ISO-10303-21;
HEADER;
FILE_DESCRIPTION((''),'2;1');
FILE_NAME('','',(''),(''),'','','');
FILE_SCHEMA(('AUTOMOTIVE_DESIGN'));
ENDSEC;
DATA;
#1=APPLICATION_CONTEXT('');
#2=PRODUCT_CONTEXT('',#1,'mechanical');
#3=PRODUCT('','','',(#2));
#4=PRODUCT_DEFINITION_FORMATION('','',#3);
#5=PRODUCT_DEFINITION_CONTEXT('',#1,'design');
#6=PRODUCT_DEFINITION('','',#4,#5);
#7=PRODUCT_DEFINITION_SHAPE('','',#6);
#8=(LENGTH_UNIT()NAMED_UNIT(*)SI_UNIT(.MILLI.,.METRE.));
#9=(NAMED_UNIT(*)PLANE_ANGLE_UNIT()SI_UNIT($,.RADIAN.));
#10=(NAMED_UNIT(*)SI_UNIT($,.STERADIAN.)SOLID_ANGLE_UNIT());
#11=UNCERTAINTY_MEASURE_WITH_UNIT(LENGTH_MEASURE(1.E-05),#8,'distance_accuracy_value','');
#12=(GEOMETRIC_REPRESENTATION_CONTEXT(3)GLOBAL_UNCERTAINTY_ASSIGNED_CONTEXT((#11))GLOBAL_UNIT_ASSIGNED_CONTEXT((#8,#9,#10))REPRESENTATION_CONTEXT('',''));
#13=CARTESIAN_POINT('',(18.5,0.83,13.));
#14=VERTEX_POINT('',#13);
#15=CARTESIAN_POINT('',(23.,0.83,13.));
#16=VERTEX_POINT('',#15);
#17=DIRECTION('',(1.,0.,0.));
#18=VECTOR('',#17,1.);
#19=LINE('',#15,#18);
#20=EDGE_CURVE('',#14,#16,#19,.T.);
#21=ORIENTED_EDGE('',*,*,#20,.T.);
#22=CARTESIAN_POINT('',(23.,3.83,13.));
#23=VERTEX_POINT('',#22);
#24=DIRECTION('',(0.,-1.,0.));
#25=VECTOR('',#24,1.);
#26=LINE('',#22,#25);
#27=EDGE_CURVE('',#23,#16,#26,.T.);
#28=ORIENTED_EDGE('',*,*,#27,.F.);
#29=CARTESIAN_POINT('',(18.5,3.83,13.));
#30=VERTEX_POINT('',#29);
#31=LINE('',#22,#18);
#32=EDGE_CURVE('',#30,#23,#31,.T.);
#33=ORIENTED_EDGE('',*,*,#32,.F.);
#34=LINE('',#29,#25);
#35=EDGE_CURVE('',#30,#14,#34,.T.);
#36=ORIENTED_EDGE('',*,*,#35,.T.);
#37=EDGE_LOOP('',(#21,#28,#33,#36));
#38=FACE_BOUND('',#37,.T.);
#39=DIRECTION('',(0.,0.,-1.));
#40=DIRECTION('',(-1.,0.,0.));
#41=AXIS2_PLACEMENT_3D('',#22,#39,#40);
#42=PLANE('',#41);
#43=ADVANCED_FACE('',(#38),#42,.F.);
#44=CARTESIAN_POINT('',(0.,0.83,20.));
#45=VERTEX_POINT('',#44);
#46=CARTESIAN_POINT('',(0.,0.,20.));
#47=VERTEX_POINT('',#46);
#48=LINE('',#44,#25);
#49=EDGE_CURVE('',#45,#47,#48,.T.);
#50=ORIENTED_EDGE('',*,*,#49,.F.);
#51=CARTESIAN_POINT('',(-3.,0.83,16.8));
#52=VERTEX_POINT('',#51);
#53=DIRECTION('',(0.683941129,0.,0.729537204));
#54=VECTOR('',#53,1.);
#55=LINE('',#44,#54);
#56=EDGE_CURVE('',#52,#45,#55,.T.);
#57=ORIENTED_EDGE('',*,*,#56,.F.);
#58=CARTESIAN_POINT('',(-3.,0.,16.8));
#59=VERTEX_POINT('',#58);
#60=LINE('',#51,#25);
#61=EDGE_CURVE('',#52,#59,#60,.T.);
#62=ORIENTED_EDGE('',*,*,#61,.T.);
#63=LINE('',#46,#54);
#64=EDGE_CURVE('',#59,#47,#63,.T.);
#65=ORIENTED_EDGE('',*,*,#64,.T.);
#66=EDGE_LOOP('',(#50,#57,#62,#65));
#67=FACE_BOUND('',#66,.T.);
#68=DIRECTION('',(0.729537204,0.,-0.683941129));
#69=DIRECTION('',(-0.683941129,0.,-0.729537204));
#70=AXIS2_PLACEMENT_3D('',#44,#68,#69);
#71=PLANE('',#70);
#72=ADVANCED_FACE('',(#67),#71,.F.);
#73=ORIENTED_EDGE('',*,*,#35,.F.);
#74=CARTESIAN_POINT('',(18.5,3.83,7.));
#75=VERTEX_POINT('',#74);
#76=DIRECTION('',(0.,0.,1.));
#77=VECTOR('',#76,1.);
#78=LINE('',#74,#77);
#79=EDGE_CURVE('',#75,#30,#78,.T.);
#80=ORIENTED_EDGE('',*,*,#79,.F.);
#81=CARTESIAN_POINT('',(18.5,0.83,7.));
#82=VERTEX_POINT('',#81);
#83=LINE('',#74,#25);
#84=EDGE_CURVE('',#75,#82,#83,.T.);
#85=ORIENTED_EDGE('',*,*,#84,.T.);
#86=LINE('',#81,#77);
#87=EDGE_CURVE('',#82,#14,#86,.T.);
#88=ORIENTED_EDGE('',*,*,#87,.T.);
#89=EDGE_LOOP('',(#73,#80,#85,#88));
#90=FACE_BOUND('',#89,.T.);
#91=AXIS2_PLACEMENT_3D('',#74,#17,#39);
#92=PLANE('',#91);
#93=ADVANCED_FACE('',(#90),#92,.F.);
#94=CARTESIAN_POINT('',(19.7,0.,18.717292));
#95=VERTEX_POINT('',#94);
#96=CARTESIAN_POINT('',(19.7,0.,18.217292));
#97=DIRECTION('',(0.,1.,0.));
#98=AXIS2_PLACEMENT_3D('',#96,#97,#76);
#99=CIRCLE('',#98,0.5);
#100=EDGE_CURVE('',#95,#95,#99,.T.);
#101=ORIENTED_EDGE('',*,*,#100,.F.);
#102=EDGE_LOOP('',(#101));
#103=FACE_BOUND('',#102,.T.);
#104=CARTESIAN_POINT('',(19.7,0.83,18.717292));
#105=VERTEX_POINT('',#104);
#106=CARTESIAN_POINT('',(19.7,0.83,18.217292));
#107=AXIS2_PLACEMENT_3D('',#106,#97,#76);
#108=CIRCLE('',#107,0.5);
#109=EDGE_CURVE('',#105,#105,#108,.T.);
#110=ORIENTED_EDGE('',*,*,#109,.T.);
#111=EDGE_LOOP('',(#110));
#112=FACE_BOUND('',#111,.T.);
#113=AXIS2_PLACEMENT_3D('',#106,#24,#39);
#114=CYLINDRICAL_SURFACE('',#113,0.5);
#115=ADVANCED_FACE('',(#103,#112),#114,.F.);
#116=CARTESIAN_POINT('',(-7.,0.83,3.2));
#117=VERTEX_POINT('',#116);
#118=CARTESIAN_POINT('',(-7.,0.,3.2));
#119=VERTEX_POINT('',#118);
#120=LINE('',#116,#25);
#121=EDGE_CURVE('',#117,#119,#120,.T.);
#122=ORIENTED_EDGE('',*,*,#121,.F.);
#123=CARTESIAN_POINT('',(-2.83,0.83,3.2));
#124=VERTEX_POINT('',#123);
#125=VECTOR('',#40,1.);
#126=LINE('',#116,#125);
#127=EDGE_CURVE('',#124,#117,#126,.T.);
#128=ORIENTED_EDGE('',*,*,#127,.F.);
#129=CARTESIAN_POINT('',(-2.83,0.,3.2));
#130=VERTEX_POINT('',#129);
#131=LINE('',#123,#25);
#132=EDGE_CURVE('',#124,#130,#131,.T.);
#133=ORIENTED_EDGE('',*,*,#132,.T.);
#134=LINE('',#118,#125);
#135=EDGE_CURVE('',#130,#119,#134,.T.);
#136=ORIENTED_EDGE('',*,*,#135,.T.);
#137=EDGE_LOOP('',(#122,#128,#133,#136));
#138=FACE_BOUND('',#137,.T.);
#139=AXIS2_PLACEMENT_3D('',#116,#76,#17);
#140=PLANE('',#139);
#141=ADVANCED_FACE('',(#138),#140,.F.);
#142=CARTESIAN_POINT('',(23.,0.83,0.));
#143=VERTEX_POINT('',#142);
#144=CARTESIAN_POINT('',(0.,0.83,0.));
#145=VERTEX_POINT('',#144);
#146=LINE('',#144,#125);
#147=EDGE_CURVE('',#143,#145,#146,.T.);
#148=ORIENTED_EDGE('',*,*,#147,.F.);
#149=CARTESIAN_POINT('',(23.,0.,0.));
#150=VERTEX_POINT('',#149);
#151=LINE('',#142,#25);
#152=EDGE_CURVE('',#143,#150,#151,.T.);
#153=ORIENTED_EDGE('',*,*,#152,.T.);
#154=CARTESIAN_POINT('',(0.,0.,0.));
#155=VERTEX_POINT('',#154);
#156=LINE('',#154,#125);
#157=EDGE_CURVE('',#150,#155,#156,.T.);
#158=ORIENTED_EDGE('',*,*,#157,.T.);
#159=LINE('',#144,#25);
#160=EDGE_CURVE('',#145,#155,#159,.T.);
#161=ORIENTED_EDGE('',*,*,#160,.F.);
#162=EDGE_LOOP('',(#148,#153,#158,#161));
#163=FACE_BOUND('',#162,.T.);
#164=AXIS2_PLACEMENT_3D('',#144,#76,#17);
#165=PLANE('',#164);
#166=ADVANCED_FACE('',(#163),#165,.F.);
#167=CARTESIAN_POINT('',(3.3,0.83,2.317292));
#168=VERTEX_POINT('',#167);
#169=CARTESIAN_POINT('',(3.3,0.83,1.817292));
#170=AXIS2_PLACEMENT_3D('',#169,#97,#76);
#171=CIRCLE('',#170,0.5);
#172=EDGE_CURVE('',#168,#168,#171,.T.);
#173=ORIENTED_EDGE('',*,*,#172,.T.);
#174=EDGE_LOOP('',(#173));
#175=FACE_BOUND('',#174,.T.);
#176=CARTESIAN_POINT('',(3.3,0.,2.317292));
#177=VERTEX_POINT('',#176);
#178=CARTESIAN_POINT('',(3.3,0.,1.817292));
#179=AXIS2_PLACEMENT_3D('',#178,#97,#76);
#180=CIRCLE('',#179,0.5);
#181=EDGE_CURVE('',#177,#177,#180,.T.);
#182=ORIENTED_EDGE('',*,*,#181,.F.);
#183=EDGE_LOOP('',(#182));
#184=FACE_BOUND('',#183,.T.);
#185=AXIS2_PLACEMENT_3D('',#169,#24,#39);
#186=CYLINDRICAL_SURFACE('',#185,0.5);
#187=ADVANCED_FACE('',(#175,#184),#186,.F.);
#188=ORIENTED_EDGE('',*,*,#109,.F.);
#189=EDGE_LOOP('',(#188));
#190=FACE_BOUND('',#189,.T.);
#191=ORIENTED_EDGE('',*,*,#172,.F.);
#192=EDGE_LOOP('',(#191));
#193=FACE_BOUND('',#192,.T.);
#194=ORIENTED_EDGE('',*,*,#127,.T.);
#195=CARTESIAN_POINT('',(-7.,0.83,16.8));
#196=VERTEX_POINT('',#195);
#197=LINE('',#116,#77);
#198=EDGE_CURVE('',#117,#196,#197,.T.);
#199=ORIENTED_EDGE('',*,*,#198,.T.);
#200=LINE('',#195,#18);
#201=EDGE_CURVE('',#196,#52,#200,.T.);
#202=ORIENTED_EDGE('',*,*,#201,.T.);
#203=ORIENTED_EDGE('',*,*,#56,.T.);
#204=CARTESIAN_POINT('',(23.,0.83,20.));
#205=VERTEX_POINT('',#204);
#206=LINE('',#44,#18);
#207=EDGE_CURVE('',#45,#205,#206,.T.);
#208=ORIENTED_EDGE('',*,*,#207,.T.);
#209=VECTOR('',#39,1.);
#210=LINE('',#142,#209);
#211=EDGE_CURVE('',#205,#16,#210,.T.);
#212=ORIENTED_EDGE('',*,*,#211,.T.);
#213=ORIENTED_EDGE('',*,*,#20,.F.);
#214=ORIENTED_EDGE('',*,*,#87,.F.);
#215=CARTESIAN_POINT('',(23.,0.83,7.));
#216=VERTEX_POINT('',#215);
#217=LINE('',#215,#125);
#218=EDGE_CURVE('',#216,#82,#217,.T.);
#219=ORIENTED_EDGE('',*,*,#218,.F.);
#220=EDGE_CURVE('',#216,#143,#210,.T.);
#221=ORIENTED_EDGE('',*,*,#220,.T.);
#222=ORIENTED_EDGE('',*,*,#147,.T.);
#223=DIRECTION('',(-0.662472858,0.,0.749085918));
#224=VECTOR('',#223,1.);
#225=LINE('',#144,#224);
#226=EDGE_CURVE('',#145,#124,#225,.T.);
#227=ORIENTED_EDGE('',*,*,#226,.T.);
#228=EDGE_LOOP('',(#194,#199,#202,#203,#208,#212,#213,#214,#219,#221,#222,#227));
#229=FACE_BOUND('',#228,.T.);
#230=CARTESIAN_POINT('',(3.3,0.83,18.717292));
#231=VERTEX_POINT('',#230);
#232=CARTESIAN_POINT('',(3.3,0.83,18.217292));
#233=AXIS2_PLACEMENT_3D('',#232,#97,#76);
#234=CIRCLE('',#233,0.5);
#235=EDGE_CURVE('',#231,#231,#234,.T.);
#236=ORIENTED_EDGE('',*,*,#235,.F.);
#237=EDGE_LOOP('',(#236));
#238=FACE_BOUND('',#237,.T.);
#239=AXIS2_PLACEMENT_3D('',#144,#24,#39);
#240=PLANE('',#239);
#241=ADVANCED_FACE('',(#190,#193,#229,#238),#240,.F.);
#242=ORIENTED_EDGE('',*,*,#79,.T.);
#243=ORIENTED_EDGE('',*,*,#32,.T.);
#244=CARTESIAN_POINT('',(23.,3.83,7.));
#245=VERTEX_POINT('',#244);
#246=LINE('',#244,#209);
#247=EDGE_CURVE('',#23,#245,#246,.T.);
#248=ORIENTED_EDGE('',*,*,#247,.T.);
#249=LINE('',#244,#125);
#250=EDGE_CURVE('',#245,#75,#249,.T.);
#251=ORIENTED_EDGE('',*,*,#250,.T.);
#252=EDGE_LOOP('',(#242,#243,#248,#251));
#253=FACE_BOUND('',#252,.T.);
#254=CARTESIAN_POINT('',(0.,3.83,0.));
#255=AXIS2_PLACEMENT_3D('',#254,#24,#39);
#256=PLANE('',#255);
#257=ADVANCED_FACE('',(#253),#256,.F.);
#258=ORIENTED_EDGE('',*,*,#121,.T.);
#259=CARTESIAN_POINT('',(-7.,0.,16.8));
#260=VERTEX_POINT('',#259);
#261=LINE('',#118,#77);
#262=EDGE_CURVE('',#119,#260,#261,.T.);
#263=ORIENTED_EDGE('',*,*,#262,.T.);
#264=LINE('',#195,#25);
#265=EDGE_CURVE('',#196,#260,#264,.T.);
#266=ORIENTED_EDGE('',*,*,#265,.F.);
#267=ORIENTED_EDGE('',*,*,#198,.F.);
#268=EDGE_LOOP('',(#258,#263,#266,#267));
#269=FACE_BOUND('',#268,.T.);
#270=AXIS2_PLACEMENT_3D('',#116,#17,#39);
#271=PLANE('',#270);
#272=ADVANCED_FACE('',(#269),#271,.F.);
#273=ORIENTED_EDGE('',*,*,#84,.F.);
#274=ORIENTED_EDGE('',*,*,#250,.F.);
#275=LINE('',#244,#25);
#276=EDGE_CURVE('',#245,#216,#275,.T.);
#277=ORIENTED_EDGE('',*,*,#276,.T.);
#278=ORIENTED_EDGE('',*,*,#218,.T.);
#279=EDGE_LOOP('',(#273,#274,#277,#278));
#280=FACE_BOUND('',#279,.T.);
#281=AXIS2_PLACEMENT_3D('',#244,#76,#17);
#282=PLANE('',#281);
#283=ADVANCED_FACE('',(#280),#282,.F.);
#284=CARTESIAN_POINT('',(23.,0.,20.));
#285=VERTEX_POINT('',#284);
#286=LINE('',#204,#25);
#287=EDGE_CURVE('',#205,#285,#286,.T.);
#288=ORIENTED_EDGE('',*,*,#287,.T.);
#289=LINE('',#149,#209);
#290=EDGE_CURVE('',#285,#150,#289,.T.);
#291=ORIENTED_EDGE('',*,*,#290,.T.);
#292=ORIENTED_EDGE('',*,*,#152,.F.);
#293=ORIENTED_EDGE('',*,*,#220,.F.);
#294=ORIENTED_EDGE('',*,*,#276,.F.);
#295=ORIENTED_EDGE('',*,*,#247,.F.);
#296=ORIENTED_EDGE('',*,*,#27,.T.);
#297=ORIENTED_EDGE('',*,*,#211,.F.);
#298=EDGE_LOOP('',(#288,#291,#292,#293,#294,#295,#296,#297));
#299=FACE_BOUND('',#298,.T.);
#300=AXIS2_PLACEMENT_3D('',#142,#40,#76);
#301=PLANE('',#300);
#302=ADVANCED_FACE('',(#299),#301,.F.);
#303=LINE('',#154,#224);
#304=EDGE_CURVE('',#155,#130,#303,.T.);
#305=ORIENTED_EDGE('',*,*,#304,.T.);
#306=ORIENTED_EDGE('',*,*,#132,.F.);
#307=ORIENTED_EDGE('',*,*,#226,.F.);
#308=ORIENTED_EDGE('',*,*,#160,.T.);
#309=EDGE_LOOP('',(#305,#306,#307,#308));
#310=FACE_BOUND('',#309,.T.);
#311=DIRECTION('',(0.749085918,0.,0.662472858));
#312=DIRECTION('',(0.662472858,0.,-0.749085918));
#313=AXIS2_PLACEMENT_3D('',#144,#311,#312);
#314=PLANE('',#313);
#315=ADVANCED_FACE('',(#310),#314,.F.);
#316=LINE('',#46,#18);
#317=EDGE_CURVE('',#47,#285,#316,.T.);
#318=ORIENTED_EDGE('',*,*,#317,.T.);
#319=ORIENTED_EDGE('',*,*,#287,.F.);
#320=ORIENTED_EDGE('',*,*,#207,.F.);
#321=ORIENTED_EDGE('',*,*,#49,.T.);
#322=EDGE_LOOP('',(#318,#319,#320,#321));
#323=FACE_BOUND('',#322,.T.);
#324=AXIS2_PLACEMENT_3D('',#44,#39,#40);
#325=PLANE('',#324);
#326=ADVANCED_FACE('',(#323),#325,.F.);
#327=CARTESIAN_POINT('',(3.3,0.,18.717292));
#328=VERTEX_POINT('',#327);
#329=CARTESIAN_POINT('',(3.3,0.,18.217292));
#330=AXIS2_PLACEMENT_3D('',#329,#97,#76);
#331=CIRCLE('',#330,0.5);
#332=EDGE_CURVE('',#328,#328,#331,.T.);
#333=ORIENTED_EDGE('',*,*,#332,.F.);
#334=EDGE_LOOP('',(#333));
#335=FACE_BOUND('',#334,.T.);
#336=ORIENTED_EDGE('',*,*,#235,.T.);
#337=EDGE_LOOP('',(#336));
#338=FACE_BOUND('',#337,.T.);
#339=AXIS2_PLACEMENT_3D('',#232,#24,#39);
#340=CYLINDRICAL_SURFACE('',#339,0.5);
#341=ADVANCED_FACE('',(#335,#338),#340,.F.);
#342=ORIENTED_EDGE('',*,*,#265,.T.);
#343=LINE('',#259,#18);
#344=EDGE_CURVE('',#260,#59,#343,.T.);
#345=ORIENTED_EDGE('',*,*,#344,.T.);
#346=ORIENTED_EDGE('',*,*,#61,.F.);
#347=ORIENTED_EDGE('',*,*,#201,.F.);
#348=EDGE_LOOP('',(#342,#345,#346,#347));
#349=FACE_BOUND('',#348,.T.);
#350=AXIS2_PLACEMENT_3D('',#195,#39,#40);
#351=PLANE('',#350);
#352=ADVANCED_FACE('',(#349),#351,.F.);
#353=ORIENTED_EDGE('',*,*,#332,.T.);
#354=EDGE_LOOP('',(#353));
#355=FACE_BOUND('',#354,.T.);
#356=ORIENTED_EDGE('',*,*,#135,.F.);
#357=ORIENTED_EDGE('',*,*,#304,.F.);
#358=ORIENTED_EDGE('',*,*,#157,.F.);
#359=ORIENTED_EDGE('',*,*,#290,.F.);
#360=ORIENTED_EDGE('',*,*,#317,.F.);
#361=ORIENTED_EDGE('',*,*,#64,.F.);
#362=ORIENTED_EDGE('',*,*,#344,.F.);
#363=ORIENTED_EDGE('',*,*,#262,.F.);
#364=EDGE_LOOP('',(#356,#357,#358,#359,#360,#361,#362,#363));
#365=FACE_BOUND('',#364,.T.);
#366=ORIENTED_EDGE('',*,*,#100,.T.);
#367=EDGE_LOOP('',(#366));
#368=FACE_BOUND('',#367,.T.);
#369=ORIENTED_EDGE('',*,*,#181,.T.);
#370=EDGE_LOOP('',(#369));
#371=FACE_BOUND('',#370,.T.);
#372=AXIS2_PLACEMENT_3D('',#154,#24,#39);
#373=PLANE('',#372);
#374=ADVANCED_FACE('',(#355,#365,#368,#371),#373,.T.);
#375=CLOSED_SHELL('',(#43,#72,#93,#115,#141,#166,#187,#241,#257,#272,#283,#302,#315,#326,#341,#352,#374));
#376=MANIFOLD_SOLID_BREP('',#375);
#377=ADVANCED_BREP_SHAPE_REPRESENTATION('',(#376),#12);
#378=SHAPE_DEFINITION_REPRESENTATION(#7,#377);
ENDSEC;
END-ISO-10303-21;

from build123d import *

# Parameters (mm, degrees)
SKETCH1_R           = 0.5
BOSS_EXTRUDE1_DEPTH = 0.83
SKETCH2_W           = 4.5
SKETCH2_H           = 6
BOSS_EXTRUDE2_DEPTH = 3


with BuildPart() as part:
    # Sketch1 → Boss-Extrude1 (new body)
    with BuildSketch(Plane(origin=(0, 0, 0), x_dir=(1, 0, 0), z_dir=(0, 1, 0))):
        Polygon((0, 0), (-2.83, -3.2), (-7, -3.2), (-7, -16.8), (-3, -16.8), (0, -20), (23, -20), (23, 0), align=None)
        with Locations((3.3, -18.217292277)):
            Circle(SKETCH1_R, mode=Mode.SUBTRACT)
        with Locations((3.3, -1.817292277)):
            Circle(SKETCH1_R, mode=Mode.SUBTRACT)
        with Locations((19.7, -18.217292277)):
            Circle(SKETCH1_R, mode=Mode.SUBTRACT)
    extrude(amount=BOSS_EXTRUDE1_DEPTH)

    # Sketch2 → Boss-Extrude2 (add)
    with BuildSketch(Plane(origin=(0, 0.83, 0), x_dir=(1, 0, 0), z_dir=(0, 1, 0))):
        with Locations((20.75, -10)):
            Rectangle(SKETCH2_W, SKETCH2_H)
    extrude(amount=BOSS_EXTRUDE2_DEPTH)


solid = part.part
